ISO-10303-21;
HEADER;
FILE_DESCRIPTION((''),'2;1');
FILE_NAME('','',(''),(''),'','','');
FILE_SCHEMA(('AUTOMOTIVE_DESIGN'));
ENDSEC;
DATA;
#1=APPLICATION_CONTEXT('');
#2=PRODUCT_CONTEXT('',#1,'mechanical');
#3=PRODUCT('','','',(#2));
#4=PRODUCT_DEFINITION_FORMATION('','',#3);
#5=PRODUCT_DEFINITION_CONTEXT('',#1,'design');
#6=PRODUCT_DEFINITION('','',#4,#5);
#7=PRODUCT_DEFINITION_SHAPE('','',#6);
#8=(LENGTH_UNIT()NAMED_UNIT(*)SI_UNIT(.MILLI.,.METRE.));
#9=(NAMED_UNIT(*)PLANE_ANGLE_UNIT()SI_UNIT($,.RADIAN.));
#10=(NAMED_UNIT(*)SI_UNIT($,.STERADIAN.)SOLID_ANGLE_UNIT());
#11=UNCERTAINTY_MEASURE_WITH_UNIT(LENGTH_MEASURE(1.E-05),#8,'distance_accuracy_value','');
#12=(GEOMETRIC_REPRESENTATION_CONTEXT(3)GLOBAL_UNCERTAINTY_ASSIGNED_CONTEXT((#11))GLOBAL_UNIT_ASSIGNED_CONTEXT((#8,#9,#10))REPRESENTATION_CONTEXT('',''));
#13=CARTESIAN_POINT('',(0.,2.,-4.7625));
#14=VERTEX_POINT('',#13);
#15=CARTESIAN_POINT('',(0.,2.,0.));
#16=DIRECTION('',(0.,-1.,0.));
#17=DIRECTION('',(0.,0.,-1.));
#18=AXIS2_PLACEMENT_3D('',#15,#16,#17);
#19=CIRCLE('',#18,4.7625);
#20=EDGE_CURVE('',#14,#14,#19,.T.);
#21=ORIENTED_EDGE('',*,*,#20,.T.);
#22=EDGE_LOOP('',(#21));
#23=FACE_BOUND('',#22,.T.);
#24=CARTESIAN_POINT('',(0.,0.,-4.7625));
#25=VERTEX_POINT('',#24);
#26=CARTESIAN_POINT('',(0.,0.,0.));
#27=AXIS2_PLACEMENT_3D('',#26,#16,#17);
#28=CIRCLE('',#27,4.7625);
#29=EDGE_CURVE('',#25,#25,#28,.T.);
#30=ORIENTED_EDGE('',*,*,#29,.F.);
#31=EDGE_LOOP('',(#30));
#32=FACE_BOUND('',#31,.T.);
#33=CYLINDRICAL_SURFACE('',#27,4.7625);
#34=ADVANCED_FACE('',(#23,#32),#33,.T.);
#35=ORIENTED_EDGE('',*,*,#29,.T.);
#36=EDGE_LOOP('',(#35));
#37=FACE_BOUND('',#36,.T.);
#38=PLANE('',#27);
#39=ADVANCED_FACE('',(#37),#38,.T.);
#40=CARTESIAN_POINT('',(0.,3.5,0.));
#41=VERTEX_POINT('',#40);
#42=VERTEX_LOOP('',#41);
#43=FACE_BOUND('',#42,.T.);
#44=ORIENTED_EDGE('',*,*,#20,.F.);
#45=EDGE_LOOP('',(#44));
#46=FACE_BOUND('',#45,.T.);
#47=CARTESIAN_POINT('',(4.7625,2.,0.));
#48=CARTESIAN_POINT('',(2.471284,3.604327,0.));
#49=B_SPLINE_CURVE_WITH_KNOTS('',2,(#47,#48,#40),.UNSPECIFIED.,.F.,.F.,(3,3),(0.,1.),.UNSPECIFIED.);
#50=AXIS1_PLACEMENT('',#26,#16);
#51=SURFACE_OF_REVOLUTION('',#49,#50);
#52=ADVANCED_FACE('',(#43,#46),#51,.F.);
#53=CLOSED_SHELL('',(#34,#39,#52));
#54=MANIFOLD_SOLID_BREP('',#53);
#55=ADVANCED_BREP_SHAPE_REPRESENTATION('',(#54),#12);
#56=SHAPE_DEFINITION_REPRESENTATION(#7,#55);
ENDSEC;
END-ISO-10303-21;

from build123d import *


with BuildPart() as part:
    # Sketch1 → Revolve1 (revolve)
    with BuildSketch(Plane.XY):
        with BuildLine():
            Line((0, 0), (4.7625, 0))
            Line((4.7625, 0), (4.7625, 2))
            add(Edge.make_bspline(
                [(0, 3.5), (2.471284121, 3.60432663), (4.7625, 2)],
                knots=[0, 0, 0, 1, 1, 1], degree=2))
            Line((0, 3.5), (0, 0))
        make_face()
    revolve(axis=Axis((0, 0, 0), (0, 1, 0)))


solid = part.part
